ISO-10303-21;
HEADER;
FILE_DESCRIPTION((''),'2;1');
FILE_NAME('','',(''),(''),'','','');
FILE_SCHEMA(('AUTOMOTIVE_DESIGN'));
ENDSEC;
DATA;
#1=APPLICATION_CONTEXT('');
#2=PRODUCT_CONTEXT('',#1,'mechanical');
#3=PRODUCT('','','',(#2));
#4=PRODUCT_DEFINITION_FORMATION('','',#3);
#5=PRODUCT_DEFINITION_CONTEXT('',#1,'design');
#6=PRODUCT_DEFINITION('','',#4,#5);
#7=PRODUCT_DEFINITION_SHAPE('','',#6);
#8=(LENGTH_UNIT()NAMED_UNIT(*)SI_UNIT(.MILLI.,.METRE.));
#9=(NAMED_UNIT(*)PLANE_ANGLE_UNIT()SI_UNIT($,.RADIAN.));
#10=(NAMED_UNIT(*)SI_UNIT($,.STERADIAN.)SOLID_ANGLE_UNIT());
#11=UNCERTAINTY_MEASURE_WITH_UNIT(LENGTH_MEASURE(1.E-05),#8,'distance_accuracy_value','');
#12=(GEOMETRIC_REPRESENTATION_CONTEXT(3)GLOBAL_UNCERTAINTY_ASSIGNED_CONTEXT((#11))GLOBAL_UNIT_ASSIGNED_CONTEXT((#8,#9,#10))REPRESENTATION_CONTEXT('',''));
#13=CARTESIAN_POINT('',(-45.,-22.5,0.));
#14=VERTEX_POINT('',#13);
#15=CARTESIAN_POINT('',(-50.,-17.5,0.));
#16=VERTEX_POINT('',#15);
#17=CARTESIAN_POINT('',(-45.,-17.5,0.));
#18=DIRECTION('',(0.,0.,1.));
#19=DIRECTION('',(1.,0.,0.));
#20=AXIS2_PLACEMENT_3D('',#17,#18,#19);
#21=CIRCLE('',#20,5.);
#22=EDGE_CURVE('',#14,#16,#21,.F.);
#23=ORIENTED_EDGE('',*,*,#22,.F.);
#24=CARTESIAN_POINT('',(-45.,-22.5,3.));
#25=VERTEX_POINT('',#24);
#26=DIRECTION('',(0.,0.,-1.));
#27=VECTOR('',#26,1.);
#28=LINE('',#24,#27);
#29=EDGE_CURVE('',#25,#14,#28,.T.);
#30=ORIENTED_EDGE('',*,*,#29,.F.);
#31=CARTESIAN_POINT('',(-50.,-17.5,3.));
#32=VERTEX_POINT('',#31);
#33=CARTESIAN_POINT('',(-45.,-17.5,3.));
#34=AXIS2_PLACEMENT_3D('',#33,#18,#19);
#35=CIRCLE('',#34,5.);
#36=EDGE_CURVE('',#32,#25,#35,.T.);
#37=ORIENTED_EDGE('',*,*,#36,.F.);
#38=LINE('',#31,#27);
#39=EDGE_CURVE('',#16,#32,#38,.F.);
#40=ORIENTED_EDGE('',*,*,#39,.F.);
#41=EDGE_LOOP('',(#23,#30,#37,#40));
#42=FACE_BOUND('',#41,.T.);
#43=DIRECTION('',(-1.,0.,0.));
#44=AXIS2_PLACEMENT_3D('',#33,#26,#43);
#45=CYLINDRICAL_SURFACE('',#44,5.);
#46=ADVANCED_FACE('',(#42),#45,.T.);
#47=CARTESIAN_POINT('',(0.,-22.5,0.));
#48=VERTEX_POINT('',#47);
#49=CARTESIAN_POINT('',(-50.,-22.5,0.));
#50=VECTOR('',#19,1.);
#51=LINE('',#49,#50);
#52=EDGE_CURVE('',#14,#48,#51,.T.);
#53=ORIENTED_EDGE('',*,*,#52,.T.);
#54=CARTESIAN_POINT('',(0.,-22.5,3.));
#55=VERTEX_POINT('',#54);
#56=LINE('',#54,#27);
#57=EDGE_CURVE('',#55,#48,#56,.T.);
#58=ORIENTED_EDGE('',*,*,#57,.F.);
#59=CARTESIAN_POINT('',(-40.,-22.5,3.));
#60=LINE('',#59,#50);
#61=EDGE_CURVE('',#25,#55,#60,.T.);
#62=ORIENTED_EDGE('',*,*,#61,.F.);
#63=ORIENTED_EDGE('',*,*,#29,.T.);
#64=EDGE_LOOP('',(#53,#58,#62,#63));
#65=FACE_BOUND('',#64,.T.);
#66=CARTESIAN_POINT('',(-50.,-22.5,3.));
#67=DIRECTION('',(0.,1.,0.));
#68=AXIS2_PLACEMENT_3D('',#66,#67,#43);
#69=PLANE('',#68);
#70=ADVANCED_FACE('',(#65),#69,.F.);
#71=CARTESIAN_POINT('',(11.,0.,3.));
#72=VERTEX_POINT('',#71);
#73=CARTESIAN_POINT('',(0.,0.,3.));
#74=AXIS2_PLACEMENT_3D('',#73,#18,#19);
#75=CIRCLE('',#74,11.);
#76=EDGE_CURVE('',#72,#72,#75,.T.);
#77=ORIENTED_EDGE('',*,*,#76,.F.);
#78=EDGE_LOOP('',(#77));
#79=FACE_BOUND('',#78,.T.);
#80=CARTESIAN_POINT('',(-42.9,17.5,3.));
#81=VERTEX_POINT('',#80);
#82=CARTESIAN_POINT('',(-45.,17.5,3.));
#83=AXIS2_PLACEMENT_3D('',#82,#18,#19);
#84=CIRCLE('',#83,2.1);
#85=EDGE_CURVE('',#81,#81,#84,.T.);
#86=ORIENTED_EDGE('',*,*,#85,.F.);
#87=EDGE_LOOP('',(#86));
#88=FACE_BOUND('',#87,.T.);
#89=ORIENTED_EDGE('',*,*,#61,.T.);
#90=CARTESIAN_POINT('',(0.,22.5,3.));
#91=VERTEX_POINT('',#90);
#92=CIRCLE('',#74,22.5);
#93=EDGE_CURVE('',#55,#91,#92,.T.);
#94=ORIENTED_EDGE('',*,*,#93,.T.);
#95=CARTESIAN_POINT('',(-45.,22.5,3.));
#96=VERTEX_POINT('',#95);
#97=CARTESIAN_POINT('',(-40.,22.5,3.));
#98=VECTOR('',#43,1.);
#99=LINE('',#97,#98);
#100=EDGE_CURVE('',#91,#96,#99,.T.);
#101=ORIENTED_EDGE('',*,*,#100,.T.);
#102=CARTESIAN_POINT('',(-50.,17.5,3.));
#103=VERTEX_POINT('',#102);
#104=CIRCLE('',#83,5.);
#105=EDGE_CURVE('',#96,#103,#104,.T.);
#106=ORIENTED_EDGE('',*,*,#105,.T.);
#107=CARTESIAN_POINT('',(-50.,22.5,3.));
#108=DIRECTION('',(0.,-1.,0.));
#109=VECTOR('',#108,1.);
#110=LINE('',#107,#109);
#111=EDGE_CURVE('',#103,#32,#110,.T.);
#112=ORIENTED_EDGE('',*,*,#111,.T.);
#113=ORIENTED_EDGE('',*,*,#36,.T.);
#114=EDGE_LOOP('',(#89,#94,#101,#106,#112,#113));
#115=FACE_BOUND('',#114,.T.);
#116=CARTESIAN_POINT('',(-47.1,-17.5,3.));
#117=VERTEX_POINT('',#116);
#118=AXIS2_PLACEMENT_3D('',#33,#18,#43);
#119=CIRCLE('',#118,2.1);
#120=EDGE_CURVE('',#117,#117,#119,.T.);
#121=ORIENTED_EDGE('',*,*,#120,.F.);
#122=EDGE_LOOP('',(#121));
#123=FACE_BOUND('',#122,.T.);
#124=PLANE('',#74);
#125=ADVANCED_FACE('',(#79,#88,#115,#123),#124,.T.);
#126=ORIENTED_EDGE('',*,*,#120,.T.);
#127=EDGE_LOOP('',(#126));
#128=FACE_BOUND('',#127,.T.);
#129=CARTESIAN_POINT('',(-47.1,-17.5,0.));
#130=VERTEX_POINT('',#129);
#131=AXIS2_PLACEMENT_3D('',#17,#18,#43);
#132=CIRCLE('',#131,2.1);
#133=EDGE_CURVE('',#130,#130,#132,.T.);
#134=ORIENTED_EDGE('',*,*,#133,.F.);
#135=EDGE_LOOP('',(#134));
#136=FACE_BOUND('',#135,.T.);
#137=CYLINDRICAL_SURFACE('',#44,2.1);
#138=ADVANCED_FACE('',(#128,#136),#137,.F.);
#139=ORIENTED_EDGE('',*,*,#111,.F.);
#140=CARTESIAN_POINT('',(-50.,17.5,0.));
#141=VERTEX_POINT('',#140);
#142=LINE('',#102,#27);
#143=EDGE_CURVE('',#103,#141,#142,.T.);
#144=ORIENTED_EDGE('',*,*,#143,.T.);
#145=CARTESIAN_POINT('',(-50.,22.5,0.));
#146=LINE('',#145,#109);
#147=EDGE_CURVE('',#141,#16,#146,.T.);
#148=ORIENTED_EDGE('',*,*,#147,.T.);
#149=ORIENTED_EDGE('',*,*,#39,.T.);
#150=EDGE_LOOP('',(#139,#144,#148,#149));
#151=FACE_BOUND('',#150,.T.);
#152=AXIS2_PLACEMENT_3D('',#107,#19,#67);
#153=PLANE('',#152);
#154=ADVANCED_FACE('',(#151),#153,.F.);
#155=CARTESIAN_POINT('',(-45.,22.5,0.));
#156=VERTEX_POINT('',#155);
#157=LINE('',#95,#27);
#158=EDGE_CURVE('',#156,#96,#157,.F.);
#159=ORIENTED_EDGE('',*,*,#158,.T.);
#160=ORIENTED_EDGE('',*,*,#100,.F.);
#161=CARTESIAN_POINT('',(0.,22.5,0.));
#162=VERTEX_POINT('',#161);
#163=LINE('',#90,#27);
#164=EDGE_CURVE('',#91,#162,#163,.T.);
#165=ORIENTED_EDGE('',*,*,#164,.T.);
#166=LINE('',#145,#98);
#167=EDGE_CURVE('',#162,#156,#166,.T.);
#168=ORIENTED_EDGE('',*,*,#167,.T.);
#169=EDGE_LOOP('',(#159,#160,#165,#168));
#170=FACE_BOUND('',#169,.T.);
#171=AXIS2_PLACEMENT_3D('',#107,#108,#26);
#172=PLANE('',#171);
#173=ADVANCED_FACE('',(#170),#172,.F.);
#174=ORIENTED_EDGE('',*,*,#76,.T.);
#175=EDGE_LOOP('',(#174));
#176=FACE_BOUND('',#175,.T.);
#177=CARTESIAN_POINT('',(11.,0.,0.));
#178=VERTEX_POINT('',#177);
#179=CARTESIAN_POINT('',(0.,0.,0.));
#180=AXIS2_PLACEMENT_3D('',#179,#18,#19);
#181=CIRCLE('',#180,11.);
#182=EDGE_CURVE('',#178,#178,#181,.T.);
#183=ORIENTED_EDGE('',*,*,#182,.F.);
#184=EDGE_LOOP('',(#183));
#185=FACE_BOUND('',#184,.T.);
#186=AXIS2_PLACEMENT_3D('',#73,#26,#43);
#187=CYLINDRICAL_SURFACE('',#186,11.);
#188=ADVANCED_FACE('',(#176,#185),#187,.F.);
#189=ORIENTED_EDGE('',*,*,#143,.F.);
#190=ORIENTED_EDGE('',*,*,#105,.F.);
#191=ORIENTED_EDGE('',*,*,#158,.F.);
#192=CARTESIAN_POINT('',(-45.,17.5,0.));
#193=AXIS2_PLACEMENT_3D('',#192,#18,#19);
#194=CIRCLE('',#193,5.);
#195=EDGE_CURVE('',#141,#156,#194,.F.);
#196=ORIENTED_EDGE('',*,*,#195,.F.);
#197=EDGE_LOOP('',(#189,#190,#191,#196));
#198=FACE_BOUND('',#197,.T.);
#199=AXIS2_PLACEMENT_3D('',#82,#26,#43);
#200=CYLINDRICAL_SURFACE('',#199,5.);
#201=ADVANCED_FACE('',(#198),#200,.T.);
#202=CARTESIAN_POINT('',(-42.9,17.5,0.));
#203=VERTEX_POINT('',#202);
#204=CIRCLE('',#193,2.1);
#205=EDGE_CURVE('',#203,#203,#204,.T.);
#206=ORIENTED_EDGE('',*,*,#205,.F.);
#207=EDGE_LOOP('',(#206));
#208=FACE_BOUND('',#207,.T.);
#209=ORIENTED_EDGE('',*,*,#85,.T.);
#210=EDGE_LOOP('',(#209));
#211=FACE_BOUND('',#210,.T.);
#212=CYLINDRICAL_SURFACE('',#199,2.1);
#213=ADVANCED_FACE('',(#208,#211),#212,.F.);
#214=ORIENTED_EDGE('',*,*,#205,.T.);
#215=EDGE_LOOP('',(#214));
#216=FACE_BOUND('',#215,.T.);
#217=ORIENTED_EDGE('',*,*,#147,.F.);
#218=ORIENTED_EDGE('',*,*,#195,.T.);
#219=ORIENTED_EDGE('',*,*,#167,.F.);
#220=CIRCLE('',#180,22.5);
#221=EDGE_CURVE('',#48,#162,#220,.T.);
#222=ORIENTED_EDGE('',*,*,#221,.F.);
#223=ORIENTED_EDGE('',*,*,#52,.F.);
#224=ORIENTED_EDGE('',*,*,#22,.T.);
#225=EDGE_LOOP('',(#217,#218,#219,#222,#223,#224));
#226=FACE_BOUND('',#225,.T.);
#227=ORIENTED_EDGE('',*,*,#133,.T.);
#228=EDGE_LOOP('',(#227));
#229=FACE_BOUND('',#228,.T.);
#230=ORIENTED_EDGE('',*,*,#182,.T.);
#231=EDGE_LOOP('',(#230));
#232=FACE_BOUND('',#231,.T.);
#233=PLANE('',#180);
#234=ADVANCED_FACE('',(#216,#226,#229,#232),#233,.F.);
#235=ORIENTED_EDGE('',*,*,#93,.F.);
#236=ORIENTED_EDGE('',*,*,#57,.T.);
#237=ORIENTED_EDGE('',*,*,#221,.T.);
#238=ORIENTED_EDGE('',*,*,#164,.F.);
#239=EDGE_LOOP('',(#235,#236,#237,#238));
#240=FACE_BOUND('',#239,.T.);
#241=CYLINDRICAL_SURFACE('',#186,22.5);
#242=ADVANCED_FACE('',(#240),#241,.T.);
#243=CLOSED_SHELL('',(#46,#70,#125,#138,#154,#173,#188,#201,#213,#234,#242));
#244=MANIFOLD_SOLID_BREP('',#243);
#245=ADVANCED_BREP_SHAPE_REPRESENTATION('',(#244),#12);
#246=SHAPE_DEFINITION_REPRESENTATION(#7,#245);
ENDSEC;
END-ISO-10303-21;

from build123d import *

# Parameters (mm, degrees)
SKETCH_1_R      = 11
SKETCH_1_R_2    = 2.1
EXTRUDE_1_DEPTH = 3
FILLET_1_R      = 5


with BuildPart() as part:
    # ｽｹｯﾁ1 → ﾎﾞｽ - 押し出し1 (new body)
    with BuildSketch(Plane.XY):
        with BuildLine():
            Line((-40, 22.5), (0, 22.5))
            ThreePointArc((0, 22.5), (22.5, 0), (0, -22.5))
            Line((0, -22.5), (-40, -22.5))
            Line((-40, -22.5), (-50, -22.5))
            Line((-50, -22.5), (-50, 22.5))
            Line((-50, 22.5), (-40, 22.5))
        make_face()
        Circle(SKETCH_1_R, mode=Mode.SUBTRACT)
        with Locations((-45, 17.5)):
            Circle(SKETCH_1_R_2, mode=Mode.SUBTRACT)
        with Locations(Location((-45, -17.5, 0), (0, 0, 180))):
            Circle(SKETCH_1_R_2, mode=Mode.SUBTRACT)
    extrude(amount=EXTRUDE_1_DEPTH)

    # ﾌｨﾚｯﾄ1
    fillet_1_edges = [part.edges().sort_by_distance(p)[0] for p in [
        (-50, -22.5, 1.5),
        (-50, 22.5, 1.5),
    ]]
    fillet(fillet_1_edges, radius=FILLET_1_R)


solid = part.part
